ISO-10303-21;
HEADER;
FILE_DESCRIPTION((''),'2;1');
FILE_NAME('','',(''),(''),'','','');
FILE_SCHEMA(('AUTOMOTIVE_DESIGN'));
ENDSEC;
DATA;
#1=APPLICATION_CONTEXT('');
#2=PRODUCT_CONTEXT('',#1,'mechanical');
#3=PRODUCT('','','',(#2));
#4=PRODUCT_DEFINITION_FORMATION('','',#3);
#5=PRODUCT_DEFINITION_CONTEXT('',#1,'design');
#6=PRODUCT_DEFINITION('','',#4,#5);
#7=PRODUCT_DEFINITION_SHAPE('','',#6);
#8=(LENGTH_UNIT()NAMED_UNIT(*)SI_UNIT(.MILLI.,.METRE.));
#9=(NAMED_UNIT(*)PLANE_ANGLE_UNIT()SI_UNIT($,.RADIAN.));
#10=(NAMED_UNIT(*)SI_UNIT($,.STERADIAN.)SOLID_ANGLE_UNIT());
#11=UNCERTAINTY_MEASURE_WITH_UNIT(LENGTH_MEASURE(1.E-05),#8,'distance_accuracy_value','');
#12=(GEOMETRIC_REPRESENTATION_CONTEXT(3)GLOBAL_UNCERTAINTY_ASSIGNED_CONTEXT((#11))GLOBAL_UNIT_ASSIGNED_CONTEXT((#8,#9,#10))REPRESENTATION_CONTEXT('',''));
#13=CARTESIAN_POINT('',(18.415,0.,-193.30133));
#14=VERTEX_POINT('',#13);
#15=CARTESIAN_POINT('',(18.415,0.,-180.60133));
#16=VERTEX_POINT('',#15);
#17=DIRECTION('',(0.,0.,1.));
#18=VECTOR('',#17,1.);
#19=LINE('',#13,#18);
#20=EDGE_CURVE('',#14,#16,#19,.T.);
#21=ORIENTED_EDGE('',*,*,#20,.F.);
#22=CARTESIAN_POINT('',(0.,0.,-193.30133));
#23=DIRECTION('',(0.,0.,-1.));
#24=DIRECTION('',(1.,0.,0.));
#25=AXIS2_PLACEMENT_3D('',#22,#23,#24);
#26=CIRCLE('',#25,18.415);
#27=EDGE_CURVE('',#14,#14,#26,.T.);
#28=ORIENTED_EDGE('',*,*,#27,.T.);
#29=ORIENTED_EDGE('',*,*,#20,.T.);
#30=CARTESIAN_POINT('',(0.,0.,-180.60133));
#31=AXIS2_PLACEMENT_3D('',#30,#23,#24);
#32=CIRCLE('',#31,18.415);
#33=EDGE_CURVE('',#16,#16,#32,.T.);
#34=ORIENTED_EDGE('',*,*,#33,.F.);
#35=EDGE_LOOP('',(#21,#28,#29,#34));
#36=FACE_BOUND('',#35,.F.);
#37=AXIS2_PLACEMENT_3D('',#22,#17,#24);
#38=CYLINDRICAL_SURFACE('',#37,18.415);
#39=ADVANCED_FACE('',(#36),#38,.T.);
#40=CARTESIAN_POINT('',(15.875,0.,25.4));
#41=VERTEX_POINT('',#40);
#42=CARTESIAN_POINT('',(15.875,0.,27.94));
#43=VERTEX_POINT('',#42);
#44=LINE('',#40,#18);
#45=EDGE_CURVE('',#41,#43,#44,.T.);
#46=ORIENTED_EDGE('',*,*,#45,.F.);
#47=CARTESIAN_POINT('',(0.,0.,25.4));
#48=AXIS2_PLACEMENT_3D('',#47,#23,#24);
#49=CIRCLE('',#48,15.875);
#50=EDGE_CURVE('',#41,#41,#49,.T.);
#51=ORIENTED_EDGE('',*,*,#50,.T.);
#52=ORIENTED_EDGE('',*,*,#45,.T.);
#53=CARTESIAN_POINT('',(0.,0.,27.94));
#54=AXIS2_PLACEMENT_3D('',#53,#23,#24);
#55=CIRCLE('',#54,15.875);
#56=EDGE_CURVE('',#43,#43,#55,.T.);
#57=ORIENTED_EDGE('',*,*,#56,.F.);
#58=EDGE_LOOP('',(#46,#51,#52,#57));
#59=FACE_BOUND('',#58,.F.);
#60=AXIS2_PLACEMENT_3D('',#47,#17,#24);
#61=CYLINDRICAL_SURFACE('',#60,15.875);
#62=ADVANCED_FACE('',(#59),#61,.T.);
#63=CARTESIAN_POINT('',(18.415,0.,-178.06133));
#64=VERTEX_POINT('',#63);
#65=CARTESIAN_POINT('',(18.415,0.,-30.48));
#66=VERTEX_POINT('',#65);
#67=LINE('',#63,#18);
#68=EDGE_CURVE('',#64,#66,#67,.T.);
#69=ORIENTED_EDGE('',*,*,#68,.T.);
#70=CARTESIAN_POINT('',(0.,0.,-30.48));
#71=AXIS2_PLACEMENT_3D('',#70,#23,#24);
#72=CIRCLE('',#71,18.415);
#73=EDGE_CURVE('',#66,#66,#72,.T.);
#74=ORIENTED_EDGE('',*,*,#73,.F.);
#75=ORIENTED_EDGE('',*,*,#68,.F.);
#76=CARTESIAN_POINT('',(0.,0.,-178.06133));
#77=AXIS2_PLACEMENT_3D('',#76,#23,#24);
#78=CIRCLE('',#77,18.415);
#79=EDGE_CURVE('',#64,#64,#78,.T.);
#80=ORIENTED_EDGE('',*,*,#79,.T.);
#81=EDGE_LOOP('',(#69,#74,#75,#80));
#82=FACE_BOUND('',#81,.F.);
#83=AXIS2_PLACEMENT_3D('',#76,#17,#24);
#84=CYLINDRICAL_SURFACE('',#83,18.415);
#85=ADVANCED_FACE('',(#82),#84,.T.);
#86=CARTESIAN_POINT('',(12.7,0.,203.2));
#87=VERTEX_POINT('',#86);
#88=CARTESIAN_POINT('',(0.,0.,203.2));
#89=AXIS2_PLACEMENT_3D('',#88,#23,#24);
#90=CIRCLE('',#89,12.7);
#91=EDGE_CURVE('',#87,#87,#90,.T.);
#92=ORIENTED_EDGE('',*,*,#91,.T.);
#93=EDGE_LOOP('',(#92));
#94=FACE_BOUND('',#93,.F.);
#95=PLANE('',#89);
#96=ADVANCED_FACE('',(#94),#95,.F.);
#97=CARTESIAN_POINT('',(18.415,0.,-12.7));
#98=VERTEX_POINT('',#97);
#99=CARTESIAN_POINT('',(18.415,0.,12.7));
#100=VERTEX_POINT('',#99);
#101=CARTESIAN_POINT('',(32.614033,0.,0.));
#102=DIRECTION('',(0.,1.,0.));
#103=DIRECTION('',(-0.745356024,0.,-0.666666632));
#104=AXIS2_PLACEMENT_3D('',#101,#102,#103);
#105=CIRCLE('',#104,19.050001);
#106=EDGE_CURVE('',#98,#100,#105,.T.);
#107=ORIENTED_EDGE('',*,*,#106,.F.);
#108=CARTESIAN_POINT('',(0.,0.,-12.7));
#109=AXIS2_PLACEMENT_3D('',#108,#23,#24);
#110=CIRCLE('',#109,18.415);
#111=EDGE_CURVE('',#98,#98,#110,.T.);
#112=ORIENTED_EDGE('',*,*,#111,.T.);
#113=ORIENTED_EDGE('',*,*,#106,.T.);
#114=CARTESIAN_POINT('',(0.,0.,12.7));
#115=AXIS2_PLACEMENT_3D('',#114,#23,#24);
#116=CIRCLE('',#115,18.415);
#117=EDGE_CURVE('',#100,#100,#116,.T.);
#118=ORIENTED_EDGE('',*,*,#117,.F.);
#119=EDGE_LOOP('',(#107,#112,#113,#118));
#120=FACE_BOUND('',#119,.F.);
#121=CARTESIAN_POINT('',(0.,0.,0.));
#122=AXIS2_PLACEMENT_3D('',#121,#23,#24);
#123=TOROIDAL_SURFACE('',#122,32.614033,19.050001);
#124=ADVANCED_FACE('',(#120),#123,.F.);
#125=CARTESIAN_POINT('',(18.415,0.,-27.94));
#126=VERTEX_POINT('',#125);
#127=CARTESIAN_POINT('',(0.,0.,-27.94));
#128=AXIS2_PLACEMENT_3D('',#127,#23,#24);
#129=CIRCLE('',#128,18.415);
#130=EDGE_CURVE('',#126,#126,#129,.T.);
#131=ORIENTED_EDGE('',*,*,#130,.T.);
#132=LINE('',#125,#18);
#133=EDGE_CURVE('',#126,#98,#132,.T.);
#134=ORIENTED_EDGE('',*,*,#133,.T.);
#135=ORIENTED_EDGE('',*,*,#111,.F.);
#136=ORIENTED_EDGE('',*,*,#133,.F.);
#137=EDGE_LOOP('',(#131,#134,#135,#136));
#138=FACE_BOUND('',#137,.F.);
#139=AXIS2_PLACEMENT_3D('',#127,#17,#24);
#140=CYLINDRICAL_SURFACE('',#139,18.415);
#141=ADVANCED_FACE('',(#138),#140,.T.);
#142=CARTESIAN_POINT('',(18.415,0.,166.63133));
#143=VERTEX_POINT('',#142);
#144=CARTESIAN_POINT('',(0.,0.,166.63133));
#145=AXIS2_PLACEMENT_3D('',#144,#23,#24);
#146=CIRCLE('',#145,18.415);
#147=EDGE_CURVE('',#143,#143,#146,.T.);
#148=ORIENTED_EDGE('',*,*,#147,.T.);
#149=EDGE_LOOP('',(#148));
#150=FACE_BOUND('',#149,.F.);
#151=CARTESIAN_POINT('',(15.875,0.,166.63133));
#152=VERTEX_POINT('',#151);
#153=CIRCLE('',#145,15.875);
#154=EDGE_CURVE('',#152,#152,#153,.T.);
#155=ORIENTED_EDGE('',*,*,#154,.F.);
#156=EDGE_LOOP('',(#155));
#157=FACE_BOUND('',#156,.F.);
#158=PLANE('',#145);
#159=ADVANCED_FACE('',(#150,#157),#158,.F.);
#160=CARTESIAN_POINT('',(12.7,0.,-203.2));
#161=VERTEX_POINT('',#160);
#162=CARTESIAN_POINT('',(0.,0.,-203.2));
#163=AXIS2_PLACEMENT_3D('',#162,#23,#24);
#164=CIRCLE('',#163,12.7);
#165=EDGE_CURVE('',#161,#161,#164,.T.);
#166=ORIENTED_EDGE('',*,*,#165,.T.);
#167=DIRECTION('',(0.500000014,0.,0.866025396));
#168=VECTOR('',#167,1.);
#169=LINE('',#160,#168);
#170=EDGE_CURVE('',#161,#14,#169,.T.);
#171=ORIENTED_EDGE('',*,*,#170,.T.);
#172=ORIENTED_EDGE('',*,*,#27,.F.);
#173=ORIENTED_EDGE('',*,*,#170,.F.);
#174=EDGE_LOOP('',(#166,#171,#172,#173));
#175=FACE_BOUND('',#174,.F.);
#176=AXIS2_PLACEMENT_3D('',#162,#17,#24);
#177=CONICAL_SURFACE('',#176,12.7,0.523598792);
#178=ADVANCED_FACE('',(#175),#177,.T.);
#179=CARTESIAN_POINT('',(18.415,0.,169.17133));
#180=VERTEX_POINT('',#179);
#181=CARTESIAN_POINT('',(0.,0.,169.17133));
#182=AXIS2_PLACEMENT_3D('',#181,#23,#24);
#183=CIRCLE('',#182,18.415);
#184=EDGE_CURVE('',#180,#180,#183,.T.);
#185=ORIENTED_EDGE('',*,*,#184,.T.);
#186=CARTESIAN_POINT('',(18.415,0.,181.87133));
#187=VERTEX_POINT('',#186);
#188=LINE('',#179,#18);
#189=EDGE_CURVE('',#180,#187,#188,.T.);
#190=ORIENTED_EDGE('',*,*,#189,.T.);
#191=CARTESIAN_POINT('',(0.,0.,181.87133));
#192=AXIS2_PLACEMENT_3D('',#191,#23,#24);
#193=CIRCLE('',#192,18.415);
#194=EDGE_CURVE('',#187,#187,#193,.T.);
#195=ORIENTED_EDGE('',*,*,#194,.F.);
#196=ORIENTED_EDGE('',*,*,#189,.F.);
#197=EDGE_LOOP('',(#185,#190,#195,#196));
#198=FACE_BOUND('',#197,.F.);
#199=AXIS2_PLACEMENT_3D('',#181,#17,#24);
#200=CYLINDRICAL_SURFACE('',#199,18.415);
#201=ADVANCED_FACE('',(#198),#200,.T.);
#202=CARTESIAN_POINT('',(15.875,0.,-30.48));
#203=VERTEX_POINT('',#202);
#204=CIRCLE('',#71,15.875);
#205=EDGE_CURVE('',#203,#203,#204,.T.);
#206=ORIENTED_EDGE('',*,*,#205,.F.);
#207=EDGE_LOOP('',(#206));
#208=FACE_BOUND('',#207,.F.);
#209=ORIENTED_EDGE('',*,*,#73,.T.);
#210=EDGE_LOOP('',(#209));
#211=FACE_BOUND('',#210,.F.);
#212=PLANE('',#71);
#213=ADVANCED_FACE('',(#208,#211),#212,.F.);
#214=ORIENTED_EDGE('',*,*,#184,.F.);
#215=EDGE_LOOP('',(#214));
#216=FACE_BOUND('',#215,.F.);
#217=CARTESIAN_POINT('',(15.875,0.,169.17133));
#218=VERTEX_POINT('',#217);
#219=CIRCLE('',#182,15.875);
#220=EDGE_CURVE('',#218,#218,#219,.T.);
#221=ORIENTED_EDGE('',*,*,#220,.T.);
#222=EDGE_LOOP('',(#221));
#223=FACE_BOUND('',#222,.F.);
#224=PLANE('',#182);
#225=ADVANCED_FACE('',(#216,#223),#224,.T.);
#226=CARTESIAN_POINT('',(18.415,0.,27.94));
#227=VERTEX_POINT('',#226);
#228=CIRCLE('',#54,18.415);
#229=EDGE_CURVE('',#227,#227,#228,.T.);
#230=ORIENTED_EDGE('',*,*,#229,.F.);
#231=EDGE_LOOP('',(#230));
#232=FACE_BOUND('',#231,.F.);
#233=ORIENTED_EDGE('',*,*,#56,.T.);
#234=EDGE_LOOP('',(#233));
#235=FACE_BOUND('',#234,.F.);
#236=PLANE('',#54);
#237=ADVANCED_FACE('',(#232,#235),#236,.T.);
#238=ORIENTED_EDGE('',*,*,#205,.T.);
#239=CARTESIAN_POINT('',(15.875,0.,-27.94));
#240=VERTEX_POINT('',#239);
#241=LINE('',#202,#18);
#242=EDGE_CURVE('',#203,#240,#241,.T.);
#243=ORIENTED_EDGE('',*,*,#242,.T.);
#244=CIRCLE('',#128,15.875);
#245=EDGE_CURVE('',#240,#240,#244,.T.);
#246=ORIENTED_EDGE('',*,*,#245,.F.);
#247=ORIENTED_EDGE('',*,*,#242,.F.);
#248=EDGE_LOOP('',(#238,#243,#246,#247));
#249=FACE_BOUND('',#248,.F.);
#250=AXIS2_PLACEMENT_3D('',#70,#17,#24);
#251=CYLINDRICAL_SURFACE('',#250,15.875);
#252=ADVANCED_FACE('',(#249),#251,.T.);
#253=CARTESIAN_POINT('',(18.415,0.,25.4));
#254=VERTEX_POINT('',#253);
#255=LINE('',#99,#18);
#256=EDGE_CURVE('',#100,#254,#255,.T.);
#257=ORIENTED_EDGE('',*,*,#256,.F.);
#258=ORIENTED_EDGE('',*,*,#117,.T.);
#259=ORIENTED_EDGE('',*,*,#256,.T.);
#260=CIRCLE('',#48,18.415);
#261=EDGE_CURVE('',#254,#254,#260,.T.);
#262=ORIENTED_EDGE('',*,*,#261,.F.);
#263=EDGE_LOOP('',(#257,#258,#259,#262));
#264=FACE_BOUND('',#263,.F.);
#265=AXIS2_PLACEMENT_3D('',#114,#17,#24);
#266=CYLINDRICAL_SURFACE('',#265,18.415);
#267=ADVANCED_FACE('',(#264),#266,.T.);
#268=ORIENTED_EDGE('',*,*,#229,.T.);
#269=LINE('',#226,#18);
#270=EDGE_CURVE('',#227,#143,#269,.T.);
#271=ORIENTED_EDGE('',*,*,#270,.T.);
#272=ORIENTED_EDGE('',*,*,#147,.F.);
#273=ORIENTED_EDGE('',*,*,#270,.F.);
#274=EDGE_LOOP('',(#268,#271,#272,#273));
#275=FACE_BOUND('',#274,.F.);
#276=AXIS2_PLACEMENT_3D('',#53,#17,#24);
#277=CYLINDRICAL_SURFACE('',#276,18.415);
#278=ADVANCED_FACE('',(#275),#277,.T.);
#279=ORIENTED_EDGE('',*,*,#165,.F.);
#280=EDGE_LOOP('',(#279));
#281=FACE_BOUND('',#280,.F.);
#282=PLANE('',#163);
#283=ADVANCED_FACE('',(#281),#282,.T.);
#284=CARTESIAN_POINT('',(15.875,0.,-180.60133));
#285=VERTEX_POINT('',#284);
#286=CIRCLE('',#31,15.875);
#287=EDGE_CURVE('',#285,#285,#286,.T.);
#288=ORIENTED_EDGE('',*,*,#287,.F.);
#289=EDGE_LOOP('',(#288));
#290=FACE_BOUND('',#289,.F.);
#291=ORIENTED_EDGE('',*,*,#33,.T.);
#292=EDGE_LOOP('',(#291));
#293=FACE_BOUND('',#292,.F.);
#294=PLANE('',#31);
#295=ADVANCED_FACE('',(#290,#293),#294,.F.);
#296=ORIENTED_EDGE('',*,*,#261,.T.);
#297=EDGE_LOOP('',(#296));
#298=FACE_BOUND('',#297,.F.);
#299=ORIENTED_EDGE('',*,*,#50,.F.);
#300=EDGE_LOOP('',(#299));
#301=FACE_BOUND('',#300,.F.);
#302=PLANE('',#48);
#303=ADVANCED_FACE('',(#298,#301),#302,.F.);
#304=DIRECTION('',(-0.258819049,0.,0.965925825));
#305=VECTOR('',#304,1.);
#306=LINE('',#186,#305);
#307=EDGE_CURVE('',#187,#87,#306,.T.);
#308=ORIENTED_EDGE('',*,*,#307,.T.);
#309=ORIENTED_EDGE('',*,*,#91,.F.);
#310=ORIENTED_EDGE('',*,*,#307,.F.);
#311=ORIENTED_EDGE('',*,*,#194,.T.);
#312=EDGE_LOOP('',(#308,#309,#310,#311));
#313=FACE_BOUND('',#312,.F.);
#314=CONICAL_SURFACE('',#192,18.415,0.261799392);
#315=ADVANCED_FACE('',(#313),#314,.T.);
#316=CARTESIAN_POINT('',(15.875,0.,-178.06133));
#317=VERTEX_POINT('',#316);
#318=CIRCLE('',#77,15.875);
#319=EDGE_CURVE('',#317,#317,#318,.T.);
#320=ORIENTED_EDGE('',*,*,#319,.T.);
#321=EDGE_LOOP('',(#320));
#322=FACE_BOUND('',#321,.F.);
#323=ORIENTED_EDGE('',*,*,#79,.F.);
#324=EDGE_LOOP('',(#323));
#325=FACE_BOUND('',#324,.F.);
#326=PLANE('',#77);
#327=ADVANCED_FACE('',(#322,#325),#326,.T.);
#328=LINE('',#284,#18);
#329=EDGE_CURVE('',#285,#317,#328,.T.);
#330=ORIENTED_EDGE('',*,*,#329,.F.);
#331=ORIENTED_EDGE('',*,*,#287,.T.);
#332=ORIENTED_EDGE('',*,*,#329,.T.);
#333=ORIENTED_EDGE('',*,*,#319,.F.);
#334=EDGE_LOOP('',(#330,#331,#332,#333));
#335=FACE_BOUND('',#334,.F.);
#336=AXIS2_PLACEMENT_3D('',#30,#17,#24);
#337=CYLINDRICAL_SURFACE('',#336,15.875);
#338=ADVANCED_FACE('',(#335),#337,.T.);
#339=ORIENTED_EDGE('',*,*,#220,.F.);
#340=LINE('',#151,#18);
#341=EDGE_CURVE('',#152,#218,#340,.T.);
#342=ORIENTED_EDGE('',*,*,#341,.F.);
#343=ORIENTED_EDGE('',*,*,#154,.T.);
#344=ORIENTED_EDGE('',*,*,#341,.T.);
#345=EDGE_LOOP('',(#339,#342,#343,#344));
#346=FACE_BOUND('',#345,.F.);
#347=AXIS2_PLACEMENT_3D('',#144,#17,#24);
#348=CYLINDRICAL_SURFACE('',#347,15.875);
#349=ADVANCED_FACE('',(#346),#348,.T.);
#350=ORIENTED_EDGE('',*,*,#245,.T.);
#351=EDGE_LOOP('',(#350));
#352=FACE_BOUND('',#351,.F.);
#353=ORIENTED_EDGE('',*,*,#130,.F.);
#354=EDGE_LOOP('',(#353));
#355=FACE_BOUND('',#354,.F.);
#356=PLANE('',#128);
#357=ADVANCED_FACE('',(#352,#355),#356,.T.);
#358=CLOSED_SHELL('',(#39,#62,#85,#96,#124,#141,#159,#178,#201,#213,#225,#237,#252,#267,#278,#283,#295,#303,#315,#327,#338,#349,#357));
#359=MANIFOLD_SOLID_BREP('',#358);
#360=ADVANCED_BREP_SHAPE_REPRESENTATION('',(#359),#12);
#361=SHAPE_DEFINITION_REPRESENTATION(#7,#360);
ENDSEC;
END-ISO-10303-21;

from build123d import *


with BuildPart() as f1:
    # F0 (on Front) → F1 (revolve)
    with BuildSketch(Plane.XZ):
        with BuildLine():
            Line((12.7, 203.2), (0, 203.2))
            Line((0, 203.2), (0, -203.2))
            Line((0, -203.2), (12.7, -203.2))
            Line((12.7, -203.2), (18.415, -193.30133))
            Line((18.415, -193.30133), (18.415, -180.60133))
            Line((18.415, -180.60133), (15.875, -180.60133))
            Line((15.875, -180.60133), (15.875, -178.06133))
            Line((15.875, -178.06133), (18.415, -178.06133))
            Line((18.415, -178.06133), (18.415, -30.48))
            Line((18.415, -30.48), (15.875, -30.48))
            Line((15.875, -30.48), (15.875, -27.94))
            Line((15.875, -27.94), (18.415, -27.94))
            Line((18.415, -27.94), (18.415, -12.7))
            ThreePointArc((18.415, -12.7), (13.564032, 0), (18.415, 12.7))
            Line((18.415, 12.7), (18.415, 25.4))
            Line((18.415, 25.4), (15.875, 25.4))
            Line((15.875, 25.4), (15.875, 27.94))
            Line((15.875, 27.94), (18.415, 27.94))
            Line((18.415, 27.94), (18.415, 166.63133))
            Line((18.415, 166.63133), (15.875, 166.63133))
            Line((15.875, 166.63133), (15.875, 169.17133))
            Line((15.875, 169.17133), (18.415, 169.17133))
            Line((18.415, 169.17133), (18.415, 181.87133))
            Line((18.415, 181.87133), (12.7, 203.2))
        make_face()
    revolve(axis=Axis((0, 0, 0), (0, 0, -1)))


solid = f1.part
